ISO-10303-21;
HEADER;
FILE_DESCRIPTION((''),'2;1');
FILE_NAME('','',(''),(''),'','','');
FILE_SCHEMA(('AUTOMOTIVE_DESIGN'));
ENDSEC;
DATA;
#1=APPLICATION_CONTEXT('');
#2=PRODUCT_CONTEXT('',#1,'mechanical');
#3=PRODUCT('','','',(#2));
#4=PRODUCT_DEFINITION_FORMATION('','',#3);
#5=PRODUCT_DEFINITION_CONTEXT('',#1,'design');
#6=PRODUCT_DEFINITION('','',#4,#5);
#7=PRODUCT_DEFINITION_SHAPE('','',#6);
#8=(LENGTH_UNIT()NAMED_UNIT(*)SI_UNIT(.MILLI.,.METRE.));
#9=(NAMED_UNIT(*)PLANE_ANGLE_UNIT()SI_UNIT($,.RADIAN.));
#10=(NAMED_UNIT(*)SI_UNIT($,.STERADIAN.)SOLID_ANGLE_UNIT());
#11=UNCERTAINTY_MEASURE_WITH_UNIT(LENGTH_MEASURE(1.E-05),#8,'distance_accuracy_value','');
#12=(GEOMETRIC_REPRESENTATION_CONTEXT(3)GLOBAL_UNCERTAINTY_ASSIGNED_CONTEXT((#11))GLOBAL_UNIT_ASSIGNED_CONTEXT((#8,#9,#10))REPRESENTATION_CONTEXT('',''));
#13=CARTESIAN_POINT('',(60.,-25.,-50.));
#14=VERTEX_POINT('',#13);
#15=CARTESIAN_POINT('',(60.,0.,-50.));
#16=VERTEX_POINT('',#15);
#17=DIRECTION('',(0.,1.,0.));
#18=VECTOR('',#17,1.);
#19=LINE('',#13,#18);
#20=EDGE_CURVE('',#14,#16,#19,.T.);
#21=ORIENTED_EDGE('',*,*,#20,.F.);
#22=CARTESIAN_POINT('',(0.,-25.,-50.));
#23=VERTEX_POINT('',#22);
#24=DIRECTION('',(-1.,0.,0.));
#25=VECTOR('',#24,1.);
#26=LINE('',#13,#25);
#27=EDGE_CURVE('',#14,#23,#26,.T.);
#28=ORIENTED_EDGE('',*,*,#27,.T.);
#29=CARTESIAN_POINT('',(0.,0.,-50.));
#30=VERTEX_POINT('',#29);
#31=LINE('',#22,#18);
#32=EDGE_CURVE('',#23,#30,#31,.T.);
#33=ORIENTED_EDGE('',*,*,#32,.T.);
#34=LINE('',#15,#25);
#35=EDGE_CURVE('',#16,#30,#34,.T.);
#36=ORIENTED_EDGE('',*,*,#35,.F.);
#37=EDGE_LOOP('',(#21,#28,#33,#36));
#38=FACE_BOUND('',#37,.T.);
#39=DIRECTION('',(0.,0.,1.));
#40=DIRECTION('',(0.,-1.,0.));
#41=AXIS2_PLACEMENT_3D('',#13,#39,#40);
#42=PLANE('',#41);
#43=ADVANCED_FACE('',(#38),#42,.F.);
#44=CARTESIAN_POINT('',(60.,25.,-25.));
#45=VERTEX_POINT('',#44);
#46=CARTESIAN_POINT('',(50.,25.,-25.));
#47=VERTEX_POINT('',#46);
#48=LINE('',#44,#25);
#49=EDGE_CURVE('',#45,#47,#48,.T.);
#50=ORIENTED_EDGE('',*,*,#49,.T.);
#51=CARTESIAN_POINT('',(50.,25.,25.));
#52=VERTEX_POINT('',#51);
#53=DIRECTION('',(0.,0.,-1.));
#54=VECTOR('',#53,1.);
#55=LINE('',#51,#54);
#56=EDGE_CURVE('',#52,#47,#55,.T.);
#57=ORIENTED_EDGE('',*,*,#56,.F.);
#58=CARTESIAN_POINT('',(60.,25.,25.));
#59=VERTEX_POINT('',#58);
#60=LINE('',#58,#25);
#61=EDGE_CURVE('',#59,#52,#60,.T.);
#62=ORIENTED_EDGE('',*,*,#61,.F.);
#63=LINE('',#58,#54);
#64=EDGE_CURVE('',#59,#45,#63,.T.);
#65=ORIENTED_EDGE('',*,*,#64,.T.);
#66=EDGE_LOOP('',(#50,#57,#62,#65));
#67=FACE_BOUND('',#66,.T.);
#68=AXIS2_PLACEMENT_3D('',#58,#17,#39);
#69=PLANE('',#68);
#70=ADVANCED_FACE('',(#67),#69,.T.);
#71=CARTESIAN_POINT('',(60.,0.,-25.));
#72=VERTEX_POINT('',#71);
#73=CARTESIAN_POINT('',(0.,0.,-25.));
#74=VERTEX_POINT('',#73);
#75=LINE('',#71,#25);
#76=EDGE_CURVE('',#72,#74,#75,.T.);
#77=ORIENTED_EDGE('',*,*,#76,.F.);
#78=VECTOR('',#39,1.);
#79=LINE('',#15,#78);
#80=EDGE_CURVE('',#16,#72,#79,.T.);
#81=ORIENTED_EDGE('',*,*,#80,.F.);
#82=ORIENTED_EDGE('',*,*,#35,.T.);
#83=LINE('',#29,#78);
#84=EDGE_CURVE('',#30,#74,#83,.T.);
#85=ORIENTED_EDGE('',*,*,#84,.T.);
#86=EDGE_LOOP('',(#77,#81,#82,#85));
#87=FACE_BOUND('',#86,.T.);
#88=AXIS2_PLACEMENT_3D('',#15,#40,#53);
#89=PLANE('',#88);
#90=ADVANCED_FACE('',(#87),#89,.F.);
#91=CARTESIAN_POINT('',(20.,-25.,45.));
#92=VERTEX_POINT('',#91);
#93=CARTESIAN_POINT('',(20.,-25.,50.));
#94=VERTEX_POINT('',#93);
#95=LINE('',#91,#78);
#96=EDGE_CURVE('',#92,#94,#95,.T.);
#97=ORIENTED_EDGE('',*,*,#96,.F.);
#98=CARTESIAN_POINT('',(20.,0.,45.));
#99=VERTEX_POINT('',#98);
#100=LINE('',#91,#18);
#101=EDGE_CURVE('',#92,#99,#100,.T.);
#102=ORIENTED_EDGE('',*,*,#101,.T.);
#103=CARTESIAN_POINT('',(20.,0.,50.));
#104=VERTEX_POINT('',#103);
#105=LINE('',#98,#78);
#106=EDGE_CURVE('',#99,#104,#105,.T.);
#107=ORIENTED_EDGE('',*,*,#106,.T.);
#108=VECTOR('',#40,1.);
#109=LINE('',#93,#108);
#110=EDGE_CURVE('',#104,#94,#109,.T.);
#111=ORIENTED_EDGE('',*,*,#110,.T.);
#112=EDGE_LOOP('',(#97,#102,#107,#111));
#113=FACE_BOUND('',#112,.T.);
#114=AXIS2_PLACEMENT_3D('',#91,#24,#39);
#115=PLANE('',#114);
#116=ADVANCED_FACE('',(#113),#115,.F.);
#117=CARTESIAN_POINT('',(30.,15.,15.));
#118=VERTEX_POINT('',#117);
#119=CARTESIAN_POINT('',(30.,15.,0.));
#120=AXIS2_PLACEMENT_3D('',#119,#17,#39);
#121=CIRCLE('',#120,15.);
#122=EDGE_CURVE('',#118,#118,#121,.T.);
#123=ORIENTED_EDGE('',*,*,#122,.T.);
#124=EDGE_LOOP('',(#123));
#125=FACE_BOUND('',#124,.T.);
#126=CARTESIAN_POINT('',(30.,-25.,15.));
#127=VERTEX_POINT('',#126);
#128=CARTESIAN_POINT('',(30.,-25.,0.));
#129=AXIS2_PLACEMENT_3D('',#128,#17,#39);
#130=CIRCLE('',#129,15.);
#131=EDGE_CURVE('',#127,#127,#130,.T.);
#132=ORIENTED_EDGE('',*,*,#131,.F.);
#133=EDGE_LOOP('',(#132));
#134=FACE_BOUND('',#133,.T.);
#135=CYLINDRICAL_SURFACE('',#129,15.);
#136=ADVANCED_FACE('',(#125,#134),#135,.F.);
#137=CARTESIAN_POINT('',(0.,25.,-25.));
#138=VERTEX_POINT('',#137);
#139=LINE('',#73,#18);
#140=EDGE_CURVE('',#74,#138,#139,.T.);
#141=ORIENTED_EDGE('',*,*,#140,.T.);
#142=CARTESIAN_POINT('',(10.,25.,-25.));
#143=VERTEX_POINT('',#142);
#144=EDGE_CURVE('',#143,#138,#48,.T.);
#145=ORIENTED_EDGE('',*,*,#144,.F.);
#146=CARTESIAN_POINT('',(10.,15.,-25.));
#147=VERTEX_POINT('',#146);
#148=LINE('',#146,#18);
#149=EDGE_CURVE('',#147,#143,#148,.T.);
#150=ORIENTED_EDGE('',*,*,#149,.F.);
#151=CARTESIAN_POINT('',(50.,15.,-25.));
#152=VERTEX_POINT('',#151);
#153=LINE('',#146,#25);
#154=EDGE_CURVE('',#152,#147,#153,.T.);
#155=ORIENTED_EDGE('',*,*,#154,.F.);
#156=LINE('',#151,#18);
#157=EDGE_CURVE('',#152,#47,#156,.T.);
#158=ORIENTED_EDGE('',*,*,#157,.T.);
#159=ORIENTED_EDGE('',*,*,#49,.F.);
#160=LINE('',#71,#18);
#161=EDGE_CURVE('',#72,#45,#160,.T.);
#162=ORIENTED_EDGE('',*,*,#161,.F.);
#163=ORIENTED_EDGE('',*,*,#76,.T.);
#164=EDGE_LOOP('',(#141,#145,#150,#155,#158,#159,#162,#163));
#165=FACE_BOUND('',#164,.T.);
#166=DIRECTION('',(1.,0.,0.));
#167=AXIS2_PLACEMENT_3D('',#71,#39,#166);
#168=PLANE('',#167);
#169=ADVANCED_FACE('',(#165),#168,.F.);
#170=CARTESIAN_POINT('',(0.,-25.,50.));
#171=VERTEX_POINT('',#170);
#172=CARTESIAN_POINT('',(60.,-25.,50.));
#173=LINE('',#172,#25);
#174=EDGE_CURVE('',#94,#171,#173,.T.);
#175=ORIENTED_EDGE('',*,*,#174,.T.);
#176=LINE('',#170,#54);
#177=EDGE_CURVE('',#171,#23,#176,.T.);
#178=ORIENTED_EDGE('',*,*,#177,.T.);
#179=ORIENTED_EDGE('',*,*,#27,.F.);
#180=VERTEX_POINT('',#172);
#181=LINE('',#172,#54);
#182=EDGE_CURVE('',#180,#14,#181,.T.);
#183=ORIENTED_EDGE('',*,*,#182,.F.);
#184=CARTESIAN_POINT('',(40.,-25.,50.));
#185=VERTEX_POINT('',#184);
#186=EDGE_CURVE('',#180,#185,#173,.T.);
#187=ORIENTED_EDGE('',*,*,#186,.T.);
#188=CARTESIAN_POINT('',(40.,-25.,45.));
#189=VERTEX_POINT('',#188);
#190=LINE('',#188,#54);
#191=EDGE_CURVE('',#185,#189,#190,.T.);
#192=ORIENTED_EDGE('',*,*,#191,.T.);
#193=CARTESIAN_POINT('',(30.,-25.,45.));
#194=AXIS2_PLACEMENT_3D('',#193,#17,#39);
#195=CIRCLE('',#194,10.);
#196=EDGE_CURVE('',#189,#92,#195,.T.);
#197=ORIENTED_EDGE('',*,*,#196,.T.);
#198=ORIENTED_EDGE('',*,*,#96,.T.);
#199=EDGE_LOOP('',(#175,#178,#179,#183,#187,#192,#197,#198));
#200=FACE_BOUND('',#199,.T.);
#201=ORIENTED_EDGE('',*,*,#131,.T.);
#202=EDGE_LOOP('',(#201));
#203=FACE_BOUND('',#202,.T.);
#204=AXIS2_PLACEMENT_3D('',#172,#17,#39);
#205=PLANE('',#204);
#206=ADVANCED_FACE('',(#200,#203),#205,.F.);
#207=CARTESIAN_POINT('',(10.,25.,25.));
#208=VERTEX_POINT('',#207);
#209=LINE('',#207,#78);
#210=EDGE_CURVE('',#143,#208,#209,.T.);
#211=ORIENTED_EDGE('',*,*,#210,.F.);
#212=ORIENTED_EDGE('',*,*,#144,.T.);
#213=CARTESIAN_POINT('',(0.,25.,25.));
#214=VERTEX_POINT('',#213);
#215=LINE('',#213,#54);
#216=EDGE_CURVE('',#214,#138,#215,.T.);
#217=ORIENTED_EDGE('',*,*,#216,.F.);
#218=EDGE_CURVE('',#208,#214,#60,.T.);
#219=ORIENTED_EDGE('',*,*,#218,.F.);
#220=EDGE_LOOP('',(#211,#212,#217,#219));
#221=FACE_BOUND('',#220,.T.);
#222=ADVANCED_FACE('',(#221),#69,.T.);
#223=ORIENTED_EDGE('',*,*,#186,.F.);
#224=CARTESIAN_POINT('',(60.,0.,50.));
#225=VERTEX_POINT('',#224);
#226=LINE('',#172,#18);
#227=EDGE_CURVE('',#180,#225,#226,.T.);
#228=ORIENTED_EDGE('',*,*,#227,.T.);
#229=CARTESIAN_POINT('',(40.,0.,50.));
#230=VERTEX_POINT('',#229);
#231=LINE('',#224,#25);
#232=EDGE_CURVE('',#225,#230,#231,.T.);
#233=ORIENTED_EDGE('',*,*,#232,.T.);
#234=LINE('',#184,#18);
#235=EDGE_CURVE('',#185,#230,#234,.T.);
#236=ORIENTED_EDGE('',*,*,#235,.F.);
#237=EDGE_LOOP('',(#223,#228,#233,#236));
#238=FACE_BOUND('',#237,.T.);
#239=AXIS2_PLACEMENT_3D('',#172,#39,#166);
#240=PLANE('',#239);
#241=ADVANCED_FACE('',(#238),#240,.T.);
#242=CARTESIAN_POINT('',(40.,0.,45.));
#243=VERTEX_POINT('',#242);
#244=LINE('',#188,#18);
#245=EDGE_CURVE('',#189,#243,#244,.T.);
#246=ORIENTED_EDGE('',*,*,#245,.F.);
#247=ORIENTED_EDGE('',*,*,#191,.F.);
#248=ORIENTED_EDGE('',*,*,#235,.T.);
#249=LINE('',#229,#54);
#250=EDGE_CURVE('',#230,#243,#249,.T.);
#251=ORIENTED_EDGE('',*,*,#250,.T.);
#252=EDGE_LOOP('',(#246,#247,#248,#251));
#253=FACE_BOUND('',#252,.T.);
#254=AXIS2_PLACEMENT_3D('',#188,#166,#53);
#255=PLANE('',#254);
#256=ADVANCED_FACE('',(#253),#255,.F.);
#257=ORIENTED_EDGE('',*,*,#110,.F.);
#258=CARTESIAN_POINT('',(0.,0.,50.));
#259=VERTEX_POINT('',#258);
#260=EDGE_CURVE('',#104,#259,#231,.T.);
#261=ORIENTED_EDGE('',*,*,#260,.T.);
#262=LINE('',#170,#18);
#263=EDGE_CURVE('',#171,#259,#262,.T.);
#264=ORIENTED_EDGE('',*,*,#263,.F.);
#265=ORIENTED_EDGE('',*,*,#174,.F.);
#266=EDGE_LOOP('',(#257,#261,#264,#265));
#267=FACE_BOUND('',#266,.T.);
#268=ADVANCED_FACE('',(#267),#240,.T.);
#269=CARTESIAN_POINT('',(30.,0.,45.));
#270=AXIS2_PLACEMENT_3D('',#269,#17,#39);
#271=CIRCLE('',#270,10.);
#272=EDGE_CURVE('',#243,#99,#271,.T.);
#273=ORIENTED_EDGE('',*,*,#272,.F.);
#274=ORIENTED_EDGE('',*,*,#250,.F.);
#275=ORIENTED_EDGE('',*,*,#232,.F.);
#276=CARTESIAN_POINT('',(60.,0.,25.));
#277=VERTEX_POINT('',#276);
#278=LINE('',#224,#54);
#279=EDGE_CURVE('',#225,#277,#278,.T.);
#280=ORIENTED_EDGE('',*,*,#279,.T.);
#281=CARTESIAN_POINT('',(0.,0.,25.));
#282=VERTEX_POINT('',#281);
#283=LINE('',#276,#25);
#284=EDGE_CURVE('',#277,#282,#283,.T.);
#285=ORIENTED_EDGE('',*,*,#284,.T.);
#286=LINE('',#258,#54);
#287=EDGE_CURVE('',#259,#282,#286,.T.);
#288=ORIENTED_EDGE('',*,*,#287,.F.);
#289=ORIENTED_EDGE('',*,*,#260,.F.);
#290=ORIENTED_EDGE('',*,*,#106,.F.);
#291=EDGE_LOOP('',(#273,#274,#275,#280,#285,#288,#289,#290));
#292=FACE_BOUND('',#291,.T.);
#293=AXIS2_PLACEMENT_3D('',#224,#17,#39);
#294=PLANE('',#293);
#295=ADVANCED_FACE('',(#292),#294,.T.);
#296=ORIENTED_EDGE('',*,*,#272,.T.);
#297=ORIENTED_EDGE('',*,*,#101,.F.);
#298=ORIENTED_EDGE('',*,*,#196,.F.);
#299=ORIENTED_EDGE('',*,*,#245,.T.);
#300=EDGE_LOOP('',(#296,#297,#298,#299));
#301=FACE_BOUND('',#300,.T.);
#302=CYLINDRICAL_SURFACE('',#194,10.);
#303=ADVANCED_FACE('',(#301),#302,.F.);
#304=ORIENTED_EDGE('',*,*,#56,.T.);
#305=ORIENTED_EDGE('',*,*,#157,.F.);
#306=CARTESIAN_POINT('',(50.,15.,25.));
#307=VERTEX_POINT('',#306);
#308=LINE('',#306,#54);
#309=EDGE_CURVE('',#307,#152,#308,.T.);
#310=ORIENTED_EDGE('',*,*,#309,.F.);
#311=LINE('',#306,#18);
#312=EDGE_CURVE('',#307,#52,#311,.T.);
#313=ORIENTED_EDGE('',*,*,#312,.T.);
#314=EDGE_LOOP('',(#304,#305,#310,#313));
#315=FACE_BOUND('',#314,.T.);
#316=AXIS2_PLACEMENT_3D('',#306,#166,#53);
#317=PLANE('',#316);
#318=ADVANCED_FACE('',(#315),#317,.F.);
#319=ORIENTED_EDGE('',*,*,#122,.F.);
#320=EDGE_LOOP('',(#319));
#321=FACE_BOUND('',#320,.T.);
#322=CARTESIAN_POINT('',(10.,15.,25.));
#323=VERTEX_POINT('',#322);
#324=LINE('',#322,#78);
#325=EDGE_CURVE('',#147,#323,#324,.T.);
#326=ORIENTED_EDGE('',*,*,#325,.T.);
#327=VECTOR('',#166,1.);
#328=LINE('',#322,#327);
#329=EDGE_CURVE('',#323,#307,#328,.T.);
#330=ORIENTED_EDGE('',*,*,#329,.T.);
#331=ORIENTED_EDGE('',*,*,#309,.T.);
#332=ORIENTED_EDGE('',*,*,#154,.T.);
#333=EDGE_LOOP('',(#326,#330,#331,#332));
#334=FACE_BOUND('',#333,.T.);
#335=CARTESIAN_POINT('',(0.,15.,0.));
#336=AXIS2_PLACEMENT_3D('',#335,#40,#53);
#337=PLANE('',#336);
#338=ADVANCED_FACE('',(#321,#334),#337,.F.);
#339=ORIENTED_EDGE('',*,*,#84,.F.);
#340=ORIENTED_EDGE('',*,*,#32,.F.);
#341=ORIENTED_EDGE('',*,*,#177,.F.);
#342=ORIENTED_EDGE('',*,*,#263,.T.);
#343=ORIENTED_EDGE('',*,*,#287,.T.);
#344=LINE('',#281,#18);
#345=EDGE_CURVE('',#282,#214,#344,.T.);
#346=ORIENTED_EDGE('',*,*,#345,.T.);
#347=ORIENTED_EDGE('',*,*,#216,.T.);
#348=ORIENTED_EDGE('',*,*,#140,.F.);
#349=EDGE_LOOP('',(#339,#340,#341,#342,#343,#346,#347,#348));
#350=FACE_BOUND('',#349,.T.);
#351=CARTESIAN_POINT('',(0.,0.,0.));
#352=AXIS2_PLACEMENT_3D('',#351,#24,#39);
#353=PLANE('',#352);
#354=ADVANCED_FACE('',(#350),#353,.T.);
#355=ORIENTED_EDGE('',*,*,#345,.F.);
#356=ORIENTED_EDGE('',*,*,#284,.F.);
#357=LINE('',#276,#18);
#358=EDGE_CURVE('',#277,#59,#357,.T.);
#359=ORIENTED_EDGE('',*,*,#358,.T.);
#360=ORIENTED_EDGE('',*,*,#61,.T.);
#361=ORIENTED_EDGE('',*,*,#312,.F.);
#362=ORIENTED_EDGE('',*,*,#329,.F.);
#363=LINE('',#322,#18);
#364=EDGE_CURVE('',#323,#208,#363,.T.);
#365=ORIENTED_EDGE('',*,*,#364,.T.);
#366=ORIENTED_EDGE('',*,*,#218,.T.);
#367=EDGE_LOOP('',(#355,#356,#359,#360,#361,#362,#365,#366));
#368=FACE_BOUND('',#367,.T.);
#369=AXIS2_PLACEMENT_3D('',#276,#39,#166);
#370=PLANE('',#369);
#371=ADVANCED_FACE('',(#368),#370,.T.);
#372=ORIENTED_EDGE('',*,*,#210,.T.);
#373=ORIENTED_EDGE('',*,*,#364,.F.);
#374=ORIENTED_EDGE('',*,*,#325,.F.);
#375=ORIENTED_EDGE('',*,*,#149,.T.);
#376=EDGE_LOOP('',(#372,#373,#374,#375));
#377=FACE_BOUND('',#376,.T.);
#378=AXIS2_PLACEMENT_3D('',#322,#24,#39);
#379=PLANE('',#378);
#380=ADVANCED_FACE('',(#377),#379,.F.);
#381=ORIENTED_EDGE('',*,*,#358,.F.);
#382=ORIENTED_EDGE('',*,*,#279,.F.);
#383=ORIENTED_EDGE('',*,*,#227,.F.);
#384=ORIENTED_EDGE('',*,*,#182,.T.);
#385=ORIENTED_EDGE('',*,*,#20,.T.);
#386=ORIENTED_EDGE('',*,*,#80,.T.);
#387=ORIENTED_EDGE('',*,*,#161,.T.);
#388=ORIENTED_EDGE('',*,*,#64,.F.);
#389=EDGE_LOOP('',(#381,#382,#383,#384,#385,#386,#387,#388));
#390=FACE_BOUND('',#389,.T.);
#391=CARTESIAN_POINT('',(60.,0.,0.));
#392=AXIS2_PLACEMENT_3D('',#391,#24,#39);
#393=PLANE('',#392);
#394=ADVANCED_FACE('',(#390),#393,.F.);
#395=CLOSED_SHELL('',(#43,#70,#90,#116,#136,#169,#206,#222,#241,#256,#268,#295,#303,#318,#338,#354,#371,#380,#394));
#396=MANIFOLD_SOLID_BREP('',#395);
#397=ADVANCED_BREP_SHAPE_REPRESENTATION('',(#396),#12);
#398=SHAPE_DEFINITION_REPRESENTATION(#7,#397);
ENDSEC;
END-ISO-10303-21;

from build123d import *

# Parameters (mm, degrees)
BOSS_EXTRU_1_DEPTH      = 60
ENL_V_MAT_EXTRU_1_DEPTH = 83.006097334
ESQUISSE3_W             = 40
ESQUISSE3_H             = 50
ENL_V_MAT_EXTRU_2_DEPTH = 10
ESQUISSE4_R             = 15
ENL_V_MAT_EXTRU_3_DEPTH = 88.749643874


with BuildPart() as part:
    # Esquisse1 → Boss.-Extru.1 (new body)
    with BuildSketch(Plane(origin=(0, 0, 0), x_dir=(0, 0, -1), z_dir=(1, 0, 0))):
        Polygon((-50, 0), (-25, 0), (-25, 25), (25, 25), (25, 0), (50, 0), (50, -25), (-50, -25), align=None)
    extrude(amount=BOSS_EXTRU_1_DEPTH)

    # Esquisse2 → Enlèv. mat.-Extru.1 (cut, through all)
    with BuildSketch(Plane(origin=(0, 0, 0), x_dir=(1, 0, 0), z_dir=(0, 1, 0))):
        with BuildLine():
            Line((40, -45), (40, -60))
            ThreePointArc((40, -60), (30, -70), (20, -60))
            Line((20, -60), (20, -45))
            ThreePointArc((20, -45), (30, -35), (40, -45))
        make_face()
    extrude(amount=-ENL_V_MAT_EXTRU_1_DEPTH, mode=Mode.SUBTRACT)

    # Esquisse3 → Enlèv. mat.-Extru.2 (cut)
    with BuildSketch(Plane(origin=(0, 25, 0), x_dir=(1, 0, 0), z_dir=(0, 1, 0))):
        with Locations((30, 0)):
            Rectangle(ESQUISSE3_W, ESQUISSE3_H)
    extrude(amount=-ENL_V_MAT_EXTRU_2_DEPTH, mode=Mode.SUBTRACT)

    # Esquisse4 → Enlèv. mat.-Extru.3 (cut, through all)
    with BuildSketch(Plane(origin=(0, 15, 0), x_dir=(1, 0, 0), z_dir=(0, 1, 0))):
        with Locations(Location((30, 0, 0), (0, 0, 270))):
            Circle(ESQUISSE4_R)
    extrude(amount=-ENL_V_MAT_EXTRU_3_DEPTH, mode=Mode.SUBTRACT)


solid = part.part
